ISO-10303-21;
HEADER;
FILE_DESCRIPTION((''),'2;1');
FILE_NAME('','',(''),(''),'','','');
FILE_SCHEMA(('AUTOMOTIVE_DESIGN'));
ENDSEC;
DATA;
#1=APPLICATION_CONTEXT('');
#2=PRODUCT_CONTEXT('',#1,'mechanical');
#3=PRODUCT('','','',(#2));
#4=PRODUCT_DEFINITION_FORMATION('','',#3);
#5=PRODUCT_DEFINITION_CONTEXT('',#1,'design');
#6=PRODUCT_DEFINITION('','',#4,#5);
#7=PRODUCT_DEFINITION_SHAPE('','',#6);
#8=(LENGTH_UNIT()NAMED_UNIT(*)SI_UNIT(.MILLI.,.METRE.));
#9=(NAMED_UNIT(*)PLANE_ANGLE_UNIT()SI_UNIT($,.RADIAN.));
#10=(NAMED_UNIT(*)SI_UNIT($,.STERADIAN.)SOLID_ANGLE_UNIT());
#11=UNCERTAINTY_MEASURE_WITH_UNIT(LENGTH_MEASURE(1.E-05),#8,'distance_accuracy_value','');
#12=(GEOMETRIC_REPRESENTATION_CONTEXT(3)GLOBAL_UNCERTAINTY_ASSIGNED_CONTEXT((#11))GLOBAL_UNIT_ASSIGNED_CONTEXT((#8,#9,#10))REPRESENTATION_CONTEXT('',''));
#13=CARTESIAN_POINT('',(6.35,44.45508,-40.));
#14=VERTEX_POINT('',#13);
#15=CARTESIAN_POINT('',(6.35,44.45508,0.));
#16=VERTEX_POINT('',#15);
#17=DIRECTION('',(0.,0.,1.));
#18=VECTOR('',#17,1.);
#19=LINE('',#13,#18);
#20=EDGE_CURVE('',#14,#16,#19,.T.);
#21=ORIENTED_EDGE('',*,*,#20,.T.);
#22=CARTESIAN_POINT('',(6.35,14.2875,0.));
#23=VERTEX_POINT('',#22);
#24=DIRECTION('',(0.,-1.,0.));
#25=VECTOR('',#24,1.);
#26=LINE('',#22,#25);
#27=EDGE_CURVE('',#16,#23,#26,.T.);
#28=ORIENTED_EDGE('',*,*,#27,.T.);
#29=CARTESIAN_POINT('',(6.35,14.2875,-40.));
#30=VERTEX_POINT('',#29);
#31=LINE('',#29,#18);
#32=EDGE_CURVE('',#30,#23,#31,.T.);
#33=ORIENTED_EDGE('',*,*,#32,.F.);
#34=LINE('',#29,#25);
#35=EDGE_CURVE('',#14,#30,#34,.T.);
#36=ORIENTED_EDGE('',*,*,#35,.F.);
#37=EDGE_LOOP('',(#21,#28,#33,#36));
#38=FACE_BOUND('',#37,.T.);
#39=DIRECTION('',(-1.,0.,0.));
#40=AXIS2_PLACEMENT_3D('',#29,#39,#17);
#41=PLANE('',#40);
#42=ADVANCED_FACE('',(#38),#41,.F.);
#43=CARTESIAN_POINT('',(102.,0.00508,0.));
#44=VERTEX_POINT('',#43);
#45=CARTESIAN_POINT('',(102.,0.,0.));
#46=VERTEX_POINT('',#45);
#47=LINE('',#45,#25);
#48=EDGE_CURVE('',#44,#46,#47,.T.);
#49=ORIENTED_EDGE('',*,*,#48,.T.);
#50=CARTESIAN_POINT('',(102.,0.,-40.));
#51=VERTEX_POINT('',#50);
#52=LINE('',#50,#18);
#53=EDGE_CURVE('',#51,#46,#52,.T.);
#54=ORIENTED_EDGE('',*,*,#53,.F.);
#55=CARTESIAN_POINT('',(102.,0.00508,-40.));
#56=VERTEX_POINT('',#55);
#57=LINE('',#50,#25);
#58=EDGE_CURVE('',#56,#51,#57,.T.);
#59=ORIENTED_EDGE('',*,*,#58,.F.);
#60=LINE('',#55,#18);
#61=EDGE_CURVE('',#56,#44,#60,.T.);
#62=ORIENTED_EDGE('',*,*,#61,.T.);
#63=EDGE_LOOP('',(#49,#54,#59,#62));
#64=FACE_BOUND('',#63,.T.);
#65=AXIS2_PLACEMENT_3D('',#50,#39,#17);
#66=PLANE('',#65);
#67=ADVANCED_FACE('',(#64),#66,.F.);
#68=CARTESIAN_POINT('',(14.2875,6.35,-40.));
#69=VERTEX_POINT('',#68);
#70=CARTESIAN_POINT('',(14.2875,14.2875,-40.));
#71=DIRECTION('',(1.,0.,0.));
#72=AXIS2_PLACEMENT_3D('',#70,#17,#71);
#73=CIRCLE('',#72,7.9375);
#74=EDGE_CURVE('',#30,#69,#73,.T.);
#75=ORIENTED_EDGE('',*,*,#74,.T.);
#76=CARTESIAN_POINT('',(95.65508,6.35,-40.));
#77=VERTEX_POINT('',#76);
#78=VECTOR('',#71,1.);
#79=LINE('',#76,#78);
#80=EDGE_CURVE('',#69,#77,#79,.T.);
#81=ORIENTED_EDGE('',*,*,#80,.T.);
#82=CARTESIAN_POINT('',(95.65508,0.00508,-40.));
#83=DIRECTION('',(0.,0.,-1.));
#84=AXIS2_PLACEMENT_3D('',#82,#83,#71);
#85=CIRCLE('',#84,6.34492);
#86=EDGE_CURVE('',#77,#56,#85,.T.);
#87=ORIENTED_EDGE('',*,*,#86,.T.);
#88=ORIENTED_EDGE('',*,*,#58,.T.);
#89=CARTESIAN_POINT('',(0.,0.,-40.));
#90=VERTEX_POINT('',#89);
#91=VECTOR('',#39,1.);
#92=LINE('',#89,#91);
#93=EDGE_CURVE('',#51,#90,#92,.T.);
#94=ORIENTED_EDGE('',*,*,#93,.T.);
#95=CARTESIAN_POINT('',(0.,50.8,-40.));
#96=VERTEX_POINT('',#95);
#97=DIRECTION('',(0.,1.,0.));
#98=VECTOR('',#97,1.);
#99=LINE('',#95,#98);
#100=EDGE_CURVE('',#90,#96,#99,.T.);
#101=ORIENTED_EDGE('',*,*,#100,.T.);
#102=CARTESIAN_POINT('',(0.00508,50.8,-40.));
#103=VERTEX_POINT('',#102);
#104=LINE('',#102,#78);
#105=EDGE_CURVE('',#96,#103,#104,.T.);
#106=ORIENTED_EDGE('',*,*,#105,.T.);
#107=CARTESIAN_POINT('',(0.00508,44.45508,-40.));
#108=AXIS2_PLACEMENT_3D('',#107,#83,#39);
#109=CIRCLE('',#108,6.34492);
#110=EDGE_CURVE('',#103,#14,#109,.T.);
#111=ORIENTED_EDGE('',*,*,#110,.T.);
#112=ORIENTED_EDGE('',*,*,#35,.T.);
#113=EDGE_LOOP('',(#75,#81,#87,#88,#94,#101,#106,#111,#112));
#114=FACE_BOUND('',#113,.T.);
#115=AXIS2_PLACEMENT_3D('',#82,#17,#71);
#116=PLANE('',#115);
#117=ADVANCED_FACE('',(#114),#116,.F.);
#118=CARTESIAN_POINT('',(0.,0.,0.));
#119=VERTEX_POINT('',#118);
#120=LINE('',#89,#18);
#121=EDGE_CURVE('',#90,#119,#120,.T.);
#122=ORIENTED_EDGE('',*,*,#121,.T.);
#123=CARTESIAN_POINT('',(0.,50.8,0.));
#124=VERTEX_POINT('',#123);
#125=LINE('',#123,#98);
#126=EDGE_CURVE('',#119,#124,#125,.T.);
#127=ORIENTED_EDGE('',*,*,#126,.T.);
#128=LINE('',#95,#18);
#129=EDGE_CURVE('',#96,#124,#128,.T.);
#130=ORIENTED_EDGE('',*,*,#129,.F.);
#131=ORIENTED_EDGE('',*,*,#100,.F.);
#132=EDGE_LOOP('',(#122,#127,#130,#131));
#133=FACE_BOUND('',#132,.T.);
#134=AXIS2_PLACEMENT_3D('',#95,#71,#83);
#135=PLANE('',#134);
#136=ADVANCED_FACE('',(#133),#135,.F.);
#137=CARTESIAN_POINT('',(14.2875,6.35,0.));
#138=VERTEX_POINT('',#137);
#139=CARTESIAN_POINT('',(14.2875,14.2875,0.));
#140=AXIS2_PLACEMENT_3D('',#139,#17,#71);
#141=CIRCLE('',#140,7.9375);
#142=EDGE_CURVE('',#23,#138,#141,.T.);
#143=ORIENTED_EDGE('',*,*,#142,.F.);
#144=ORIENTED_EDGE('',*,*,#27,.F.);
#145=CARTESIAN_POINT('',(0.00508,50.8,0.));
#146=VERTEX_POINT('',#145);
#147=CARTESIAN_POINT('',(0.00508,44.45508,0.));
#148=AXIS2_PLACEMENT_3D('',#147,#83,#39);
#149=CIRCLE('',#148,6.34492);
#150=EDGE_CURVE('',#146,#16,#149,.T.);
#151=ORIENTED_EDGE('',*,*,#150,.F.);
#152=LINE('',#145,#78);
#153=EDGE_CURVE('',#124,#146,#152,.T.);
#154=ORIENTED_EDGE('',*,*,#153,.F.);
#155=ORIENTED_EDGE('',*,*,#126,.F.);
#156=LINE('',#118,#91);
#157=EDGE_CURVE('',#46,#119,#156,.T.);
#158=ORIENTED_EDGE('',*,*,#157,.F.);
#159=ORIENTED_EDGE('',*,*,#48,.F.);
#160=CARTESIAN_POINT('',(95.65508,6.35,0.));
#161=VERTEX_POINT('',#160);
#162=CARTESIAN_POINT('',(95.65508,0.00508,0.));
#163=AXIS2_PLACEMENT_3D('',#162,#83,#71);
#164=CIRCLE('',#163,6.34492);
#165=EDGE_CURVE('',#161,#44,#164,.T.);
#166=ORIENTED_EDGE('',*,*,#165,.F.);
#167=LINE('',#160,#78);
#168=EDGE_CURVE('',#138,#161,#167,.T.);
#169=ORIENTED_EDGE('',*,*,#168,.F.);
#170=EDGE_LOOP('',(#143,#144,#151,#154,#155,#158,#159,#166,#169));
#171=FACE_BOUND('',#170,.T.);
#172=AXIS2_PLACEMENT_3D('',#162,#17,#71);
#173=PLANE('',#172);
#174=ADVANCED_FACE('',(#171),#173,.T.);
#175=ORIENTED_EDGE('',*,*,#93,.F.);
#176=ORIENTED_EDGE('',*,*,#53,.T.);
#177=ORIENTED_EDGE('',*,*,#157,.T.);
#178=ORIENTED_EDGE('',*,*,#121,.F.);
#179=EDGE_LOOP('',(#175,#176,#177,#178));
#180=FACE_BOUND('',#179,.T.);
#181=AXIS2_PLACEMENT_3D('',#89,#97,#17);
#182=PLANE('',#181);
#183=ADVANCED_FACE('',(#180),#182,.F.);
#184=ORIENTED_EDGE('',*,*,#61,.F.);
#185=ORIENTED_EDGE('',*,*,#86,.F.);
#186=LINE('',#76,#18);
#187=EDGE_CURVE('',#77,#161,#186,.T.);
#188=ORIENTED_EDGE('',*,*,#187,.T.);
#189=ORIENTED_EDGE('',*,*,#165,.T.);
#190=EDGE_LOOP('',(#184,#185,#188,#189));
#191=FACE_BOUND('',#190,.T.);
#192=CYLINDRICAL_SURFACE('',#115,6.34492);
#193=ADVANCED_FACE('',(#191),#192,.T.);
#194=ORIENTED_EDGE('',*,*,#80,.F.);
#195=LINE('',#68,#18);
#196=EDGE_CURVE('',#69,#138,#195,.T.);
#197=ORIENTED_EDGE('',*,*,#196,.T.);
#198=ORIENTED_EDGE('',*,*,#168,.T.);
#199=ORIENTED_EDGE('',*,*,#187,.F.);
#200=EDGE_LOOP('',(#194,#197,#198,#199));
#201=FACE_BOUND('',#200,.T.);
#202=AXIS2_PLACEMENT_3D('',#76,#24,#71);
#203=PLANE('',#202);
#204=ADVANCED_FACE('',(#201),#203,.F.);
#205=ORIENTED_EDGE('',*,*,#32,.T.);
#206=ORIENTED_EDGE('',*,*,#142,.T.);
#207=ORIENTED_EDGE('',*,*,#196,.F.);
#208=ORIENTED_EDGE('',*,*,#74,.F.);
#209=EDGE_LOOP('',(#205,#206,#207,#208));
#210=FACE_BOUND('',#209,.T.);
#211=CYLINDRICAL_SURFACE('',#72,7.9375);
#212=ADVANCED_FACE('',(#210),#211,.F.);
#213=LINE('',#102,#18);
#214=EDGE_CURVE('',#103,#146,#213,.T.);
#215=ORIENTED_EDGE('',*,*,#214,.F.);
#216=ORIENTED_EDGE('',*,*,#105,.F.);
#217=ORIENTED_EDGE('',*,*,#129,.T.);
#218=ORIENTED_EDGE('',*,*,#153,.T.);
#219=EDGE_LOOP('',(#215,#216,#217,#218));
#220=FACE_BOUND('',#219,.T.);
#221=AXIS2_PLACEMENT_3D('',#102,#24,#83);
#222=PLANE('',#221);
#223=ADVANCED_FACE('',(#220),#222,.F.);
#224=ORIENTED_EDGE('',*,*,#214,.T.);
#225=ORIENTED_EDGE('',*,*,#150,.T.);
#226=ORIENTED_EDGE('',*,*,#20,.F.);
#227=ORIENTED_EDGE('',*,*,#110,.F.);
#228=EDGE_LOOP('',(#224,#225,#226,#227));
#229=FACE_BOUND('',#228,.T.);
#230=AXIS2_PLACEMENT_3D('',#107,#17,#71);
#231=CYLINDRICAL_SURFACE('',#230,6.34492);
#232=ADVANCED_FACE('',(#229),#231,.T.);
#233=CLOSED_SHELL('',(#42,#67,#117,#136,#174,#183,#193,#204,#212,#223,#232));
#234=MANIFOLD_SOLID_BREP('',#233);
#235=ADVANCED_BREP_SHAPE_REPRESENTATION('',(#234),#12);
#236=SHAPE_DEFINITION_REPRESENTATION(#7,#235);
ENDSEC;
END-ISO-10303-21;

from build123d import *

# Parameters (mm, degrees)
HIERRO_ANGULAR_3_X_2_X_0_25_1_DEPTH = 40


with BuildPart() as part:
    # Sketch1 → Hierro angular 3 X 2 X 0.25(1) (new body)
    with BuildSketch(Plane.YX):
        with BuildLine():
            Line((0, 0), (0, 102))
            Line((0, 102), (0.00508, 102))
            ThreePointArc((0.00508, 102), (4.491615958, 100.141615958), (6.35, 95.65508))
            Line((6.35, 95.65508), (6.35, 14.2875))
            ThreePointArc((6.35, 14.2875), (8.674839924, 8.674839924), (14.2875, 6.35))
            Line((14.2875, 6.35), (44.45508, 6.35))
            ThreePointArc((44.45508, 6.35), (48.941615958, 4.491615958), (50.8, 0.00508))
            Line((50.8, 0.00508), (50.8, 0))
            Line((50.8, 0), (0, 0))
        make_face()
    extrude(amount=HIERRO_ANGULAR_3_X_2_X_0_25_1_DEPTH)


solid = part.part
